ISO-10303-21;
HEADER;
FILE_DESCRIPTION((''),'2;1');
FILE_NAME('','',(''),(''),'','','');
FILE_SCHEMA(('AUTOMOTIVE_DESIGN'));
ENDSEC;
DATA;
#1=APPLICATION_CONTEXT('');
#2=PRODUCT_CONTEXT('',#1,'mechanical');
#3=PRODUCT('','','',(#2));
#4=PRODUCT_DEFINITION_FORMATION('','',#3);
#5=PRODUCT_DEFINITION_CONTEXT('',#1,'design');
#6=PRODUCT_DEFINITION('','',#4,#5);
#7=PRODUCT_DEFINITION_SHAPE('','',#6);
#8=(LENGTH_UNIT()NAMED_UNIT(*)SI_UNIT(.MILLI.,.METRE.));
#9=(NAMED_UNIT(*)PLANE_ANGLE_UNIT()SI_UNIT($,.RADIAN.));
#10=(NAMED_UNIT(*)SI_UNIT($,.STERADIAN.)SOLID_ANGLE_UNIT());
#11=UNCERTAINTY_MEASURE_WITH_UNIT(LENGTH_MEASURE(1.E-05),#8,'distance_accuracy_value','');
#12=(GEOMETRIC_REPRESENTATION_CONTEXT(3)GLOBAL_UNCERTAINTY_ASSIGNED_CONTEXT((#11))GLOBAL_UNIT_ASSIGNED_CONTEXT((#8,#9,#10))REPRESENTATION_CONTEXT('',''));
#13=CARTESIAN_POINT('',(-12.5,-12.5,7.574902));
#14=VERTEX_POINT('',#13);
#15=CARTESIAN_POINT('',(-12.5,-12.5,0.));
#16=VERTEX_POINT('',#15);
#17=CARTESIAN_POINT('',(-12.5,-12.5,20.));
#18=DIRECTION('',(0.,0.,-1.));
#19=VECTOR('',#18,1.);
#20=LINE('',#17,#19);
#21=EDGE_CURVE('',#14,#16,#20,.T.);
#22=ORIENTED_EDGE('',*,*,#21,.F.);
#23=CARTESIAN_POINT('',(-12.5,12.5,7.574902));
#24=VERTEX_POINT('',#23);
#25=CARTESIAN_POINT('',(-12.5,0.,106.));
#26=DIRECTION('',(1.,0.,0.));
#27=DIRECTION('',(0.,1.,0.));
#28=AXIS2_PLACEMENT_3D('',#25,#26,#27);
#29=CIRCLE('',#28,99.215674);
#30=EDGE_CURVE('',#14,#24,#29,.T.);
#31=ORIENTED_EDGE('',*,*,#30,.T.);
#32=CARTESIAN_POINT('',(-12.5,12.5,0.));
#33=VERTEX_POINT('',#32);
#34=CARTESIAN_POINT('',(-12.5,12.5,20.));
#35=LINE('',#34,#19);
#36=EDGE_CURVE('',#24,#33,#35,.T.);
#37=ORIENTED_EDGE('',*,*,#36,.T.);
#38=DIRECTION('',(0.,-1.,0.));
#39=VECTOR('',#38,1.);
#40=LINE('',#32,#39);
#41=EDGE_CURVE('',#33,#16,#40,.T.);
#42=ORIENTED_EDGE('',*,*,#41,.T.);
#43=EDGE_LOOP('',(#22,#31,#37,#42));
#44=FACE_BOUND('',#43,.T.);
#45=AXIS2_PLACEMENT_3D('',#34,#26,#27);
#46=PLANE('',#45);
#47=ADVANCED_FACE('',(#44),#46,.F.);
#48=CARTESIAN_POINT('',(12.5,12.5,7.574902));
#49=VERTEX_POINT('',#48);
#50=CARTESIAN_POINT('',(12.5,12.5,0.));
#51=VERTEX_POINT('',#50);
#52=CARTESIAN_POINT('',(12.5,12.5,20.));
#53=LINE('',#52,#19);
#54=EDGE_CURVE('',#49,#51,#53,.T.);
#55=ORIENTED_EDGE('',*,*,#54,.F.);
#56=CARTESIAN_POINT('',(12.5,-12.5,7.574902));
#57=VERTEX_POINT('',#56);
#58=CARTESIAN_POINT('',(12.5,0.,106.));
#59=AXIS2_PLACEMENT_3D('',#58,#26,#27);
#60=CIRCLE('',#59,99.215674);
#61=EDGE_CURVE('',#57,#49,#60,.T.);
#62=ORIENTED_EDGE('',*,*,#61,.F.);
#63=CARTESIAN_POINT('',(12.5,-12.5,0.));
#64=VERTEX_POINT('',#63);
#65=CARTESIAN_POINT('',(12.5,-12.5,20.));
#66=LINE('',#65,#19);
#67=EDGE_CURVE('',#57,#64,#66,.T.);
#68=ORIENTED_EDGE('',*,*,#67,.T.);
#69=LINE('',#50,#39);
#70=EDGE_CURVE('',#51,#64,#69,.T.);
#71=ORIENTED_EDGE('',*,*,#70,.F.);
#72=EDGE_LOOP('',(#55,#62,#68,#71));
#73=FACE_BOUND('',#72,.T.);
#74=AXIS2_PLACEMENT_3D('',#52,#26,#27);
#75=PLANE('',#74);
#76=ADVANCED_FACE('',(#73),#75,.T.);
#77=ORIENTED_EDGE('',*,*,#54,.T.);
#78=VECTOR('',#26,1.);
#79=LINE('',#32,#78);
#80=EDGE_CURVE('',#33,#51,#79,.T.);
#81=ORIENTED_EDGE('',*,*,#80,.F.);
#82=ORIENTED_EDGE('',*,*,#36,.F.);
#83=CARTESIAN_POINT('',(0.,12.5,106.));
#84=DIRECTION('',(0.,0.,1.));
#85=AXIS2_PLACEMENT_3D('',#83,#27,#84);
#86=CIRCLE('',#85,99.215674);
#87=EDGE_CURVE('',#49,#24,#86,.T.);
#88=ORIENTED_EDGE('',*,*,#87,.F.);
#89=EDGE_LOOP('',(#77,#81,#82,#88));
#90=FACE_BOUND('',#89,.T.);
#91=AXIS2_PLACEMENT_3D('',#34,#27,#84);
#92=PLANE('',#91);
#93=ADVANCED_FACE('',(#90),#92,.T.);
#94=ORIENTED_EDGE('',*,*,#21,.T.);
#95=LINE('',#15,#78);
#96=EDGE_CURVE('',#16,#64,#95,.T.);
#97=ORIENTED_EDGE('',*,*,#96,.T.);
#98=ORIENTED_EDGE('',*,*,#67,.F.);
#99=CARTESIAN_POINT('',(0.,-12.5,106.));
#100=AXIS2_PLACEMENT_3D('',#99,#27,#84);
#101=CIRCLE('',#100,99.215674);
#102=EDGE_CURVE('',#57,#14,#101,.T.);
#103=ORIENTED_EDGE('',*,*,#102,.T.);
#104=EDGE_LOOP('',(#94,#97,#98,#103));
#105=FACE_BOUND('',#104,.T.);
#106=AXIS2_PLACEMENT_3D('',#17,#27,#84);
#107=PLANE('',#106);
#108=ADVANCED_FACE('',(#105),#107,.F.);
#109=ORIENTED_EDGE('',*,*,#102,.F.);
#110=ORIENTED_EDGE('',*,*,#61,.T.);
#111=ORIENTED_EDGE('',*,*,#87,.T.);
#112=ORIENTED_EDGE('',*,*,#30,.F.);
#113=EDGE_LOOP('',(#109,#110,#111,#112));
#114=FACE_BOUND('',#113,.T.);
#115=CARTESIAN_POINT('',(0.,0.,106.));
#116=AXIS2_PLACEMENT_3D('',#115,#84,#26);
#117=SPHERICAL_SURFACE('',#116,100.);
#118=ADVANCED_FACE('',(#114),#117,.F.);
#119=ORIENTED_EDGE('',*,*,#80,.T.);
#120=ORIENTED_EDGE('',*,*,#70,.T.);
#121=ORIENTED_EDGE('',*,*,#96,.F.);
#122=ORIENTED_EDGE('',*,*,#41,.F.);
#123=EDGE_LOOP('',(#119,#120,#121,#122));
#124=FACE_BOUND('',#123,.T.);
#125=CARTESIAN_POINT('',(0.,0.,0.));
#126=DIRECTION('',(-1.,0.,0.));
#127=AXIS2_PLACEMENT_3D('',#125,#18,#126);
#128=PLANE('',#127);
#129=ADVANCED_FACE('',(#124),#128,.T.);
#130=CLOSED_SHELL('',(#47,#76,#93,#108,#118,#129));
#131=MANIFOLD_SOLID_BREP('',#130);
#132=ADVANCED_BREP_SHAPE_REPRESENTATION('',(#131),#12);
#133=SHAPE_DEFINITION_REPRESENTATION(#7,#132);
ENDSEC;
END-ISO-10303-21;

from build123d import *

# Parameters (mm, degrees)
SKETCH_1_W      = 25
SKETCH_1_H      = 25
EXTRUDE_1_DEPTH = 20


with BuildPart() as part:
    # 草图1 → 凸台-拉伸1 (new body)
    with BuildSketch(Plane.XY):
        Rectangle(SKETCH_1_W, SKETCH_1_H)
    extrude(amount=EXTRUDE_1_DEPTH)

    # 草图2 → 切除-旋转2 (revolve, cut)
    with BuildSketch(Plane(origin=(0, 0, 0), x_dir=(1, 0, 0), z_dir=(0, 1, 0))):
        with BuildLine():
            Line((97.484546181, -83.711813537), (0, -83.711813537))
            Line((0, -83.711813537), (0, -6))
            ThreePointArc((0, -6), (62.334506309, -27.805311413), (97.484546181, -83.711813537))
        make_face()
    revolve(axis=Axis((0, 0, 83.711813537), (0, 0, -1)), mode=Mode.SUBTRACT)


solid = part.part
